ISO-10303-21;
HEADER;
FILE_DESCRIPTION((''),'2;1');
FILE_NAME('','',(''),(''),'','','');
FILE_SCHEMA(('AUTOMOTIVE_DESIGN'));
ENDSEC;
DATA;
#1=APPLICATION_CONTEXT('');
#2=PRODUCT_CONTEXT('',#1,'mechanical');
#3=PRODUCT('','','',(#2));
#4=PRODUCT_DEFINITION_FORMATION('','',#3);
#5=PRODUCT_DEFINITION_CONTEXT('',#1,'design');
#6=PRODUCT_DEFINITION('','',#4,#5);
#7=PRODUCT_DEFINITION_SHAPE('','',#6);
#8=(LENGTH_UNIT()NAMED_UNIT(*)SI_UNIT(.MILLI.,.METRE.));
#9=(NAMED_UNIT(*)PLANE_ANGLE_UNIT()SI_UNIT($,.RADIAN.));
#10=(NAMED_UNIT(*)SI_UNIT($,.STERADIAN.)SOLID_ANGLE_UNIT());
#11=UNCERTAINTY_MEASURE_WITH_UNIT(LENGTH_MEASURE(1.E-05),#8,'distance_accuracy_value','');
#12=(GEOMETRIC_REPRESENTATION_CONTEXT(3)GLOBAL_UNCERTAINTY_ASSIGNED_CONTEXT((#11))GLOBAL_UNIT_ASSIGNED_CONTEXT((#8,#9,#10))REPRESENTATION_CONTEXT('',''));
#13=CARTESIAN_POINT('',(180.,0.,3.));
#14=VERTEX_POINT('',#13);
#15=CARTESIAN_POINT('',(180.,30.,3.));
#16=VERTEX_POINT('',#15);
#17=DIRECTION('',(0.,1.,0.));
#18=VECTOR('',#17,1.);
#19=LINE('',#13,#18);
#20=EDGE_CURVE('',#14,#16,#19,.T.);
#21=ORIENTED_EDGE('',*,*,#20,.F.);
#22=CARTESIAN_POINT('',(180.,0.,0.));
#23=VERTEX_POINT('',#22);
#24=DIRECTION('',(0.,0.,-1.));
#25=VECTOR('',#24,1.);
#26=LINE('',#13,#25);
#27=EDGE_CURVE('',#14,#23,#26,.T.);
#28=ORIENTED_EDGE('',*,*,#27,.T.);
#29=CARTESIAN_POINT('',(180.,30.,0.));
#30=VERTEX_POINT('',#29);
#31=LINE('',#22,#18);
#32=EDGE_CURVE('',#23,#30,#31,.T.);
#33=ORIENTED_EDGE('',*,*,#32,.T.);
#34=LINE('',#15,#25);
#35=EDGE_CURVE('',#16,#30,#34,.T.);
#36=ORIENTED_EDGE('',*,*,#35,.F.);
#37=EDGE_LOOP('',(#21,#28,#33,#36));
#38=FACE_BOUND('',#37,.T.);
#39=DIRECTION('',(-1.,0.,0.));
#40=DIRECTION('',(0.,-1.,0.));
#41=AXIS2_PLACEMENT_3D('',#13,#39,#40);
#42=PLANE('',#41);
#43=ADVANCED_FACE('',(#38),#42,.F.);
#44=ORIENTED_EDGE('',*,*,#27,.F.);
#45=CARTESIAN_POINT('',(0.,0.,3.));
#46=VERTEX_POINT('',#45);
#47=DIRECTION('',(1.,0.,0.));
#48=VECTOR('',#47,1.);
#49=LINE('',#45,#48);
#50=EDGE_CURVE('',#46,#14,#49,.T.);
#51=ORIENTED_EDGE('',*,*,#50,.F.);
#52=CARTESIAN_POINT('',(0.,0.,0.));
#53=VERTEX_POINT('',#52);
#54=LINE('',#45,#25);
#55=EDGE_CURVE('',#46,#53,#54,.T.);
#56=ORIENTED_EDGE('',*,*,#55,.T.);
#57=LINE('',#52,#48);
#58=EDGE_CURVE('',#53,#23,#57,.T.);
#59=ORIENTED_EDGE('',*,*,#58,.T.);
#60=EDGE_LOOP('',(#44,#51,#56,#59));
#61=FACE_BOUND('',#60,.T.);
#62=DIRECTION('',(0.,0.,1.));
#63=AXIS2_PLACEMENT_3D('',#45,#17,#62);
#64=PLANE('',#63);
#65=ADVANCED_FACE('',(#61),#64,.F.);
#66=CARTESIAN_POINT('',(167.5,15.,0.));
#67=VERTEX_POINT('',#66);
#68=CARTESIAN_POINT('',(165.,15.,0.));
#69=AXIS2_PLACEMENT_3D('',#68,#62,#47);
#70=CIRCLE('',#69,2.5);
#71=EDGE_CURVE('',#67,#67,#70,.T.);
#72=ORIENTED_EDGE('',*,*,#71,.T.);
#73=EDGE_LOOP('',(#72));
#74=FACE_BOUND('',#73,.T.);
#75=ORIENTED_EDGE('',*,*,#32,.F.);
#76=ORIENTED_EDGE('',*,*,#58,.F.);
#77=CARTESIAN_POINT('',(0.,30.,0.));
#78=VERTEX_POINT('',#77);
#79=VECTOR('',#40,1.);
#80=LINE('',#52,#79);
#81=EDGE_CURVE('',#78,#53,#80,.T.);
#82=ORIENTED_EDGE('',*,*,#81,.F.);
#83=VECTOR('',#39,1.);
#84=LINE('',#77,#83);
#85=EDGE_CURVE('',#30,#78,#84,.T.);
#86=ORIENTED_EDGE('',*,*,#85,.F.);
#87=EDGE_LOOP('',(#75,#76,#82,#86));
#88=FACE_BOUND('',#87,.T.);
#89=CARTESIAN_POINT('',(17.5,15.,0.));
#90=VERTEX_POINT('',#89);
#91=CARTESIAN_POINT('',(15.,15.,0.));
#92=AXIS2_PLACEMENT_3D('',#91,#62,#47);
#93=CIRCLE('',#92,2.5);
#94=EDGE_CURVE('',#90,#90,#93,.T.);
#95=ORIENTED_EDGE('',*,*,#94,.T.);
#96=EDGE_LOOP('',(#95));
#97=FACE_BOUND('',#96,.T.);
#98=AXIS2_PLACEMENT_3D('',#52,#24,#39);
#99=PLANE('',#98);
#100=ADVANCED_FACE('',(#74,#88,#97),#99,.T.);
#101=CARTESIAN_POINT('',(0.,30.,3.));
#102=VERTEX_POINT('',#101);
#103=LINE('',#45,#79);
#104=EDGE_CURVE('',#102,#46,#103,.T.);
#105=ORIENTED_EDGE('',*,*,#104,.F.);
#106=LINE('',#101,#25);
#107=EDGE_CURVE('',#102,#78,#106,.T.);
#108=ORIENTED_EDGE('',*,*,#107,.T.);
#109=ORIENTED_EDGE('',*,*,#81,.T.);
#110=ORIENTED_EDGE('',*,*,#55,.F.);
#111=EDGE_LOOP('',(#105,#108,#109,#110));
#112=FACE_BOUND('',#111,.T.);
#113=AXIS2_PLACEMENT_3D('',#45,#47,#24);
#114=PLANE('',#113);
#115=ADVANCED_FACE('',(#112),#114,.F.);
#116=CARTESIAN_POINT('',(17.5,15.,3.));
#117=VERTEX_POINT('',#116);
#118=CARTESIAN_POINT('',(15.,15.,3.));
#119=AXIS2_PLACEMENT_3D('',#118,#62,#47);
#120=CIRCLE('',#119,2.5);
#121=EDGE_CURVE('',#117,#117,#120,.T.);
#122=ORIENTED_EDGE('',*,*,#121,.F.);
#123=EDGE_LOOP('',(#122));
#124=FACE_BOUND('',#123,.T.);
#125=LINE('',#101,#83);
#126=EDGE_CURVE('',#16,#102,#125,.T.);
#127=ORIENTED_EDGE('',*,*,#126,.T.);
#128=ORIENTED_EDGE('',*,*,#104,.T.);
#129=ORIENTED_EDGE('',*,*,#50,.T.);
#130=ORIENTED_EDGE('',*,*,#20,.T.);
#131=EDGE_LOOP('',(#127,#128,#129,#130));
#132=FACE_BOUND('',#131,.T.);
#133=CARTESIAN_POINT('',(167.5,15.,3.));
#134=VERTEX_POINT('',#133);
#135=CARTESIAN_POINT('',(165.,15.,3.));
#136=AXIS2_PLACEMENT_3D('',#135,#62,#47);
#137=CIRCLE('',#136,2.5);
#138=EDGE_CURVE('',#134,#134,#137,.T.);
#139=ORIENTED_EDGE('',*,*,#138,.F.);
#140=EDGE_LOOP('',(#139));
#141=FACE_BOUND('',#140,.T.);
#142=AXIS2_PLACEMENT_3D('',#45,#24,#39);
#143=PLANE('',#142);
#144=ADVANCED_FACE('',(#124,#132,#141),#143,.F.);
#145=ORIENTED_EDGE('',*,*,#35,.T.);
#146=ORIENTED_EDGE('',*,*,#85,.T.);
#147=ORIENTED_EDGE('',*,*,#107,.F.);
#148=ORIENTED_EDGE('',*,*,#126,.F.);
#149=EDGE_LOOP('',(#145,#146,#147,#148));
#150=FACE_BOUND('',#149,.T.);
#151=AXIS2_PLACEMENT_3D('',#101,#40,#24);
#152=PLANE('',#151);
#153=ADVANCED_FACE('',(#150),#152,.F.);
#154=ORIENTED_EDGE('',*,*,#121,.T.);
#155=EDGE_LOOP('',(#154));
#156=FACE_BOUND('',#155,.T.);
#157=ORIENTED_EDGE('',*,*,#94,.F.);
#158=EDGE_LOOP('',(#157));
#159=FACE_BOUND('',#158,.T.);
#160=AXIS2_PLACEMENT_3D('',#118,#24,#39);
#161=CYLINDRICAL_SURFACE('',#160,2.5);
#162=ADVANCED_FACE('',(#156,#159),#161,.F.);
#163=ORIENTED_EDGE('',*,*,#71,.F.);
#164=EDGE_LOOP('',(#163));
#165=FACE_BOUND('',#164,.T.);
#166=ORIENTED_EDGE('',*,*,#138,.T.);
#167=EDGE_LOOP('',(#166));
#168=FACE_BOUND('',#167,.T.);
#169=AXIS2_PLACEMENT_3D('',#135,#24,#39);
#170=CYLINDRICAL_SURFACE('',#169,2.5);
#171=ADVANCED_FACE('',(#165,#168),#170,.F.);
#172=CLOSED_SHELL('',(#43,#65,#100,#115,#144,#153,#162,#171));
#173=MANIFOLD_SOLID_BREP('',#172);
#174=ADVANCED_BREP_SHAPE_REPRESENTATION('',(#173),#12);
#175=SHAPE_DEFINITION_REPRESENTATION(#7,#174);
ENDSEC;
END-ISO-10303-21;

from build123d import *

# Parameters (mm, degrees)
SKETCH1_W           = 180
SKETCH1_H           = 30
SKETCH1_R           = 2.5
BOSS_EXTRUDE1_DEPTH = 3


with BuildPart() as part:
    # Sketch1 → Boss-Extrude1 (new body)
    with BuildSketch(Plane.XY):
        with Locations((90, 15)):
            Rectangle(SKETCH1_W, SKETCH1_H)
        with Locations((15, 15)):
            Circle(SKETCH1_R, mode=Mode.SUBTRACT)
        with Locations((165, 15)):
            Circle(SKETCH1_R, mode=Mode.SUBTRACT)
    extrude(amount=BOSS_EXTRUDE1_DEPTH)


solid = part.part
